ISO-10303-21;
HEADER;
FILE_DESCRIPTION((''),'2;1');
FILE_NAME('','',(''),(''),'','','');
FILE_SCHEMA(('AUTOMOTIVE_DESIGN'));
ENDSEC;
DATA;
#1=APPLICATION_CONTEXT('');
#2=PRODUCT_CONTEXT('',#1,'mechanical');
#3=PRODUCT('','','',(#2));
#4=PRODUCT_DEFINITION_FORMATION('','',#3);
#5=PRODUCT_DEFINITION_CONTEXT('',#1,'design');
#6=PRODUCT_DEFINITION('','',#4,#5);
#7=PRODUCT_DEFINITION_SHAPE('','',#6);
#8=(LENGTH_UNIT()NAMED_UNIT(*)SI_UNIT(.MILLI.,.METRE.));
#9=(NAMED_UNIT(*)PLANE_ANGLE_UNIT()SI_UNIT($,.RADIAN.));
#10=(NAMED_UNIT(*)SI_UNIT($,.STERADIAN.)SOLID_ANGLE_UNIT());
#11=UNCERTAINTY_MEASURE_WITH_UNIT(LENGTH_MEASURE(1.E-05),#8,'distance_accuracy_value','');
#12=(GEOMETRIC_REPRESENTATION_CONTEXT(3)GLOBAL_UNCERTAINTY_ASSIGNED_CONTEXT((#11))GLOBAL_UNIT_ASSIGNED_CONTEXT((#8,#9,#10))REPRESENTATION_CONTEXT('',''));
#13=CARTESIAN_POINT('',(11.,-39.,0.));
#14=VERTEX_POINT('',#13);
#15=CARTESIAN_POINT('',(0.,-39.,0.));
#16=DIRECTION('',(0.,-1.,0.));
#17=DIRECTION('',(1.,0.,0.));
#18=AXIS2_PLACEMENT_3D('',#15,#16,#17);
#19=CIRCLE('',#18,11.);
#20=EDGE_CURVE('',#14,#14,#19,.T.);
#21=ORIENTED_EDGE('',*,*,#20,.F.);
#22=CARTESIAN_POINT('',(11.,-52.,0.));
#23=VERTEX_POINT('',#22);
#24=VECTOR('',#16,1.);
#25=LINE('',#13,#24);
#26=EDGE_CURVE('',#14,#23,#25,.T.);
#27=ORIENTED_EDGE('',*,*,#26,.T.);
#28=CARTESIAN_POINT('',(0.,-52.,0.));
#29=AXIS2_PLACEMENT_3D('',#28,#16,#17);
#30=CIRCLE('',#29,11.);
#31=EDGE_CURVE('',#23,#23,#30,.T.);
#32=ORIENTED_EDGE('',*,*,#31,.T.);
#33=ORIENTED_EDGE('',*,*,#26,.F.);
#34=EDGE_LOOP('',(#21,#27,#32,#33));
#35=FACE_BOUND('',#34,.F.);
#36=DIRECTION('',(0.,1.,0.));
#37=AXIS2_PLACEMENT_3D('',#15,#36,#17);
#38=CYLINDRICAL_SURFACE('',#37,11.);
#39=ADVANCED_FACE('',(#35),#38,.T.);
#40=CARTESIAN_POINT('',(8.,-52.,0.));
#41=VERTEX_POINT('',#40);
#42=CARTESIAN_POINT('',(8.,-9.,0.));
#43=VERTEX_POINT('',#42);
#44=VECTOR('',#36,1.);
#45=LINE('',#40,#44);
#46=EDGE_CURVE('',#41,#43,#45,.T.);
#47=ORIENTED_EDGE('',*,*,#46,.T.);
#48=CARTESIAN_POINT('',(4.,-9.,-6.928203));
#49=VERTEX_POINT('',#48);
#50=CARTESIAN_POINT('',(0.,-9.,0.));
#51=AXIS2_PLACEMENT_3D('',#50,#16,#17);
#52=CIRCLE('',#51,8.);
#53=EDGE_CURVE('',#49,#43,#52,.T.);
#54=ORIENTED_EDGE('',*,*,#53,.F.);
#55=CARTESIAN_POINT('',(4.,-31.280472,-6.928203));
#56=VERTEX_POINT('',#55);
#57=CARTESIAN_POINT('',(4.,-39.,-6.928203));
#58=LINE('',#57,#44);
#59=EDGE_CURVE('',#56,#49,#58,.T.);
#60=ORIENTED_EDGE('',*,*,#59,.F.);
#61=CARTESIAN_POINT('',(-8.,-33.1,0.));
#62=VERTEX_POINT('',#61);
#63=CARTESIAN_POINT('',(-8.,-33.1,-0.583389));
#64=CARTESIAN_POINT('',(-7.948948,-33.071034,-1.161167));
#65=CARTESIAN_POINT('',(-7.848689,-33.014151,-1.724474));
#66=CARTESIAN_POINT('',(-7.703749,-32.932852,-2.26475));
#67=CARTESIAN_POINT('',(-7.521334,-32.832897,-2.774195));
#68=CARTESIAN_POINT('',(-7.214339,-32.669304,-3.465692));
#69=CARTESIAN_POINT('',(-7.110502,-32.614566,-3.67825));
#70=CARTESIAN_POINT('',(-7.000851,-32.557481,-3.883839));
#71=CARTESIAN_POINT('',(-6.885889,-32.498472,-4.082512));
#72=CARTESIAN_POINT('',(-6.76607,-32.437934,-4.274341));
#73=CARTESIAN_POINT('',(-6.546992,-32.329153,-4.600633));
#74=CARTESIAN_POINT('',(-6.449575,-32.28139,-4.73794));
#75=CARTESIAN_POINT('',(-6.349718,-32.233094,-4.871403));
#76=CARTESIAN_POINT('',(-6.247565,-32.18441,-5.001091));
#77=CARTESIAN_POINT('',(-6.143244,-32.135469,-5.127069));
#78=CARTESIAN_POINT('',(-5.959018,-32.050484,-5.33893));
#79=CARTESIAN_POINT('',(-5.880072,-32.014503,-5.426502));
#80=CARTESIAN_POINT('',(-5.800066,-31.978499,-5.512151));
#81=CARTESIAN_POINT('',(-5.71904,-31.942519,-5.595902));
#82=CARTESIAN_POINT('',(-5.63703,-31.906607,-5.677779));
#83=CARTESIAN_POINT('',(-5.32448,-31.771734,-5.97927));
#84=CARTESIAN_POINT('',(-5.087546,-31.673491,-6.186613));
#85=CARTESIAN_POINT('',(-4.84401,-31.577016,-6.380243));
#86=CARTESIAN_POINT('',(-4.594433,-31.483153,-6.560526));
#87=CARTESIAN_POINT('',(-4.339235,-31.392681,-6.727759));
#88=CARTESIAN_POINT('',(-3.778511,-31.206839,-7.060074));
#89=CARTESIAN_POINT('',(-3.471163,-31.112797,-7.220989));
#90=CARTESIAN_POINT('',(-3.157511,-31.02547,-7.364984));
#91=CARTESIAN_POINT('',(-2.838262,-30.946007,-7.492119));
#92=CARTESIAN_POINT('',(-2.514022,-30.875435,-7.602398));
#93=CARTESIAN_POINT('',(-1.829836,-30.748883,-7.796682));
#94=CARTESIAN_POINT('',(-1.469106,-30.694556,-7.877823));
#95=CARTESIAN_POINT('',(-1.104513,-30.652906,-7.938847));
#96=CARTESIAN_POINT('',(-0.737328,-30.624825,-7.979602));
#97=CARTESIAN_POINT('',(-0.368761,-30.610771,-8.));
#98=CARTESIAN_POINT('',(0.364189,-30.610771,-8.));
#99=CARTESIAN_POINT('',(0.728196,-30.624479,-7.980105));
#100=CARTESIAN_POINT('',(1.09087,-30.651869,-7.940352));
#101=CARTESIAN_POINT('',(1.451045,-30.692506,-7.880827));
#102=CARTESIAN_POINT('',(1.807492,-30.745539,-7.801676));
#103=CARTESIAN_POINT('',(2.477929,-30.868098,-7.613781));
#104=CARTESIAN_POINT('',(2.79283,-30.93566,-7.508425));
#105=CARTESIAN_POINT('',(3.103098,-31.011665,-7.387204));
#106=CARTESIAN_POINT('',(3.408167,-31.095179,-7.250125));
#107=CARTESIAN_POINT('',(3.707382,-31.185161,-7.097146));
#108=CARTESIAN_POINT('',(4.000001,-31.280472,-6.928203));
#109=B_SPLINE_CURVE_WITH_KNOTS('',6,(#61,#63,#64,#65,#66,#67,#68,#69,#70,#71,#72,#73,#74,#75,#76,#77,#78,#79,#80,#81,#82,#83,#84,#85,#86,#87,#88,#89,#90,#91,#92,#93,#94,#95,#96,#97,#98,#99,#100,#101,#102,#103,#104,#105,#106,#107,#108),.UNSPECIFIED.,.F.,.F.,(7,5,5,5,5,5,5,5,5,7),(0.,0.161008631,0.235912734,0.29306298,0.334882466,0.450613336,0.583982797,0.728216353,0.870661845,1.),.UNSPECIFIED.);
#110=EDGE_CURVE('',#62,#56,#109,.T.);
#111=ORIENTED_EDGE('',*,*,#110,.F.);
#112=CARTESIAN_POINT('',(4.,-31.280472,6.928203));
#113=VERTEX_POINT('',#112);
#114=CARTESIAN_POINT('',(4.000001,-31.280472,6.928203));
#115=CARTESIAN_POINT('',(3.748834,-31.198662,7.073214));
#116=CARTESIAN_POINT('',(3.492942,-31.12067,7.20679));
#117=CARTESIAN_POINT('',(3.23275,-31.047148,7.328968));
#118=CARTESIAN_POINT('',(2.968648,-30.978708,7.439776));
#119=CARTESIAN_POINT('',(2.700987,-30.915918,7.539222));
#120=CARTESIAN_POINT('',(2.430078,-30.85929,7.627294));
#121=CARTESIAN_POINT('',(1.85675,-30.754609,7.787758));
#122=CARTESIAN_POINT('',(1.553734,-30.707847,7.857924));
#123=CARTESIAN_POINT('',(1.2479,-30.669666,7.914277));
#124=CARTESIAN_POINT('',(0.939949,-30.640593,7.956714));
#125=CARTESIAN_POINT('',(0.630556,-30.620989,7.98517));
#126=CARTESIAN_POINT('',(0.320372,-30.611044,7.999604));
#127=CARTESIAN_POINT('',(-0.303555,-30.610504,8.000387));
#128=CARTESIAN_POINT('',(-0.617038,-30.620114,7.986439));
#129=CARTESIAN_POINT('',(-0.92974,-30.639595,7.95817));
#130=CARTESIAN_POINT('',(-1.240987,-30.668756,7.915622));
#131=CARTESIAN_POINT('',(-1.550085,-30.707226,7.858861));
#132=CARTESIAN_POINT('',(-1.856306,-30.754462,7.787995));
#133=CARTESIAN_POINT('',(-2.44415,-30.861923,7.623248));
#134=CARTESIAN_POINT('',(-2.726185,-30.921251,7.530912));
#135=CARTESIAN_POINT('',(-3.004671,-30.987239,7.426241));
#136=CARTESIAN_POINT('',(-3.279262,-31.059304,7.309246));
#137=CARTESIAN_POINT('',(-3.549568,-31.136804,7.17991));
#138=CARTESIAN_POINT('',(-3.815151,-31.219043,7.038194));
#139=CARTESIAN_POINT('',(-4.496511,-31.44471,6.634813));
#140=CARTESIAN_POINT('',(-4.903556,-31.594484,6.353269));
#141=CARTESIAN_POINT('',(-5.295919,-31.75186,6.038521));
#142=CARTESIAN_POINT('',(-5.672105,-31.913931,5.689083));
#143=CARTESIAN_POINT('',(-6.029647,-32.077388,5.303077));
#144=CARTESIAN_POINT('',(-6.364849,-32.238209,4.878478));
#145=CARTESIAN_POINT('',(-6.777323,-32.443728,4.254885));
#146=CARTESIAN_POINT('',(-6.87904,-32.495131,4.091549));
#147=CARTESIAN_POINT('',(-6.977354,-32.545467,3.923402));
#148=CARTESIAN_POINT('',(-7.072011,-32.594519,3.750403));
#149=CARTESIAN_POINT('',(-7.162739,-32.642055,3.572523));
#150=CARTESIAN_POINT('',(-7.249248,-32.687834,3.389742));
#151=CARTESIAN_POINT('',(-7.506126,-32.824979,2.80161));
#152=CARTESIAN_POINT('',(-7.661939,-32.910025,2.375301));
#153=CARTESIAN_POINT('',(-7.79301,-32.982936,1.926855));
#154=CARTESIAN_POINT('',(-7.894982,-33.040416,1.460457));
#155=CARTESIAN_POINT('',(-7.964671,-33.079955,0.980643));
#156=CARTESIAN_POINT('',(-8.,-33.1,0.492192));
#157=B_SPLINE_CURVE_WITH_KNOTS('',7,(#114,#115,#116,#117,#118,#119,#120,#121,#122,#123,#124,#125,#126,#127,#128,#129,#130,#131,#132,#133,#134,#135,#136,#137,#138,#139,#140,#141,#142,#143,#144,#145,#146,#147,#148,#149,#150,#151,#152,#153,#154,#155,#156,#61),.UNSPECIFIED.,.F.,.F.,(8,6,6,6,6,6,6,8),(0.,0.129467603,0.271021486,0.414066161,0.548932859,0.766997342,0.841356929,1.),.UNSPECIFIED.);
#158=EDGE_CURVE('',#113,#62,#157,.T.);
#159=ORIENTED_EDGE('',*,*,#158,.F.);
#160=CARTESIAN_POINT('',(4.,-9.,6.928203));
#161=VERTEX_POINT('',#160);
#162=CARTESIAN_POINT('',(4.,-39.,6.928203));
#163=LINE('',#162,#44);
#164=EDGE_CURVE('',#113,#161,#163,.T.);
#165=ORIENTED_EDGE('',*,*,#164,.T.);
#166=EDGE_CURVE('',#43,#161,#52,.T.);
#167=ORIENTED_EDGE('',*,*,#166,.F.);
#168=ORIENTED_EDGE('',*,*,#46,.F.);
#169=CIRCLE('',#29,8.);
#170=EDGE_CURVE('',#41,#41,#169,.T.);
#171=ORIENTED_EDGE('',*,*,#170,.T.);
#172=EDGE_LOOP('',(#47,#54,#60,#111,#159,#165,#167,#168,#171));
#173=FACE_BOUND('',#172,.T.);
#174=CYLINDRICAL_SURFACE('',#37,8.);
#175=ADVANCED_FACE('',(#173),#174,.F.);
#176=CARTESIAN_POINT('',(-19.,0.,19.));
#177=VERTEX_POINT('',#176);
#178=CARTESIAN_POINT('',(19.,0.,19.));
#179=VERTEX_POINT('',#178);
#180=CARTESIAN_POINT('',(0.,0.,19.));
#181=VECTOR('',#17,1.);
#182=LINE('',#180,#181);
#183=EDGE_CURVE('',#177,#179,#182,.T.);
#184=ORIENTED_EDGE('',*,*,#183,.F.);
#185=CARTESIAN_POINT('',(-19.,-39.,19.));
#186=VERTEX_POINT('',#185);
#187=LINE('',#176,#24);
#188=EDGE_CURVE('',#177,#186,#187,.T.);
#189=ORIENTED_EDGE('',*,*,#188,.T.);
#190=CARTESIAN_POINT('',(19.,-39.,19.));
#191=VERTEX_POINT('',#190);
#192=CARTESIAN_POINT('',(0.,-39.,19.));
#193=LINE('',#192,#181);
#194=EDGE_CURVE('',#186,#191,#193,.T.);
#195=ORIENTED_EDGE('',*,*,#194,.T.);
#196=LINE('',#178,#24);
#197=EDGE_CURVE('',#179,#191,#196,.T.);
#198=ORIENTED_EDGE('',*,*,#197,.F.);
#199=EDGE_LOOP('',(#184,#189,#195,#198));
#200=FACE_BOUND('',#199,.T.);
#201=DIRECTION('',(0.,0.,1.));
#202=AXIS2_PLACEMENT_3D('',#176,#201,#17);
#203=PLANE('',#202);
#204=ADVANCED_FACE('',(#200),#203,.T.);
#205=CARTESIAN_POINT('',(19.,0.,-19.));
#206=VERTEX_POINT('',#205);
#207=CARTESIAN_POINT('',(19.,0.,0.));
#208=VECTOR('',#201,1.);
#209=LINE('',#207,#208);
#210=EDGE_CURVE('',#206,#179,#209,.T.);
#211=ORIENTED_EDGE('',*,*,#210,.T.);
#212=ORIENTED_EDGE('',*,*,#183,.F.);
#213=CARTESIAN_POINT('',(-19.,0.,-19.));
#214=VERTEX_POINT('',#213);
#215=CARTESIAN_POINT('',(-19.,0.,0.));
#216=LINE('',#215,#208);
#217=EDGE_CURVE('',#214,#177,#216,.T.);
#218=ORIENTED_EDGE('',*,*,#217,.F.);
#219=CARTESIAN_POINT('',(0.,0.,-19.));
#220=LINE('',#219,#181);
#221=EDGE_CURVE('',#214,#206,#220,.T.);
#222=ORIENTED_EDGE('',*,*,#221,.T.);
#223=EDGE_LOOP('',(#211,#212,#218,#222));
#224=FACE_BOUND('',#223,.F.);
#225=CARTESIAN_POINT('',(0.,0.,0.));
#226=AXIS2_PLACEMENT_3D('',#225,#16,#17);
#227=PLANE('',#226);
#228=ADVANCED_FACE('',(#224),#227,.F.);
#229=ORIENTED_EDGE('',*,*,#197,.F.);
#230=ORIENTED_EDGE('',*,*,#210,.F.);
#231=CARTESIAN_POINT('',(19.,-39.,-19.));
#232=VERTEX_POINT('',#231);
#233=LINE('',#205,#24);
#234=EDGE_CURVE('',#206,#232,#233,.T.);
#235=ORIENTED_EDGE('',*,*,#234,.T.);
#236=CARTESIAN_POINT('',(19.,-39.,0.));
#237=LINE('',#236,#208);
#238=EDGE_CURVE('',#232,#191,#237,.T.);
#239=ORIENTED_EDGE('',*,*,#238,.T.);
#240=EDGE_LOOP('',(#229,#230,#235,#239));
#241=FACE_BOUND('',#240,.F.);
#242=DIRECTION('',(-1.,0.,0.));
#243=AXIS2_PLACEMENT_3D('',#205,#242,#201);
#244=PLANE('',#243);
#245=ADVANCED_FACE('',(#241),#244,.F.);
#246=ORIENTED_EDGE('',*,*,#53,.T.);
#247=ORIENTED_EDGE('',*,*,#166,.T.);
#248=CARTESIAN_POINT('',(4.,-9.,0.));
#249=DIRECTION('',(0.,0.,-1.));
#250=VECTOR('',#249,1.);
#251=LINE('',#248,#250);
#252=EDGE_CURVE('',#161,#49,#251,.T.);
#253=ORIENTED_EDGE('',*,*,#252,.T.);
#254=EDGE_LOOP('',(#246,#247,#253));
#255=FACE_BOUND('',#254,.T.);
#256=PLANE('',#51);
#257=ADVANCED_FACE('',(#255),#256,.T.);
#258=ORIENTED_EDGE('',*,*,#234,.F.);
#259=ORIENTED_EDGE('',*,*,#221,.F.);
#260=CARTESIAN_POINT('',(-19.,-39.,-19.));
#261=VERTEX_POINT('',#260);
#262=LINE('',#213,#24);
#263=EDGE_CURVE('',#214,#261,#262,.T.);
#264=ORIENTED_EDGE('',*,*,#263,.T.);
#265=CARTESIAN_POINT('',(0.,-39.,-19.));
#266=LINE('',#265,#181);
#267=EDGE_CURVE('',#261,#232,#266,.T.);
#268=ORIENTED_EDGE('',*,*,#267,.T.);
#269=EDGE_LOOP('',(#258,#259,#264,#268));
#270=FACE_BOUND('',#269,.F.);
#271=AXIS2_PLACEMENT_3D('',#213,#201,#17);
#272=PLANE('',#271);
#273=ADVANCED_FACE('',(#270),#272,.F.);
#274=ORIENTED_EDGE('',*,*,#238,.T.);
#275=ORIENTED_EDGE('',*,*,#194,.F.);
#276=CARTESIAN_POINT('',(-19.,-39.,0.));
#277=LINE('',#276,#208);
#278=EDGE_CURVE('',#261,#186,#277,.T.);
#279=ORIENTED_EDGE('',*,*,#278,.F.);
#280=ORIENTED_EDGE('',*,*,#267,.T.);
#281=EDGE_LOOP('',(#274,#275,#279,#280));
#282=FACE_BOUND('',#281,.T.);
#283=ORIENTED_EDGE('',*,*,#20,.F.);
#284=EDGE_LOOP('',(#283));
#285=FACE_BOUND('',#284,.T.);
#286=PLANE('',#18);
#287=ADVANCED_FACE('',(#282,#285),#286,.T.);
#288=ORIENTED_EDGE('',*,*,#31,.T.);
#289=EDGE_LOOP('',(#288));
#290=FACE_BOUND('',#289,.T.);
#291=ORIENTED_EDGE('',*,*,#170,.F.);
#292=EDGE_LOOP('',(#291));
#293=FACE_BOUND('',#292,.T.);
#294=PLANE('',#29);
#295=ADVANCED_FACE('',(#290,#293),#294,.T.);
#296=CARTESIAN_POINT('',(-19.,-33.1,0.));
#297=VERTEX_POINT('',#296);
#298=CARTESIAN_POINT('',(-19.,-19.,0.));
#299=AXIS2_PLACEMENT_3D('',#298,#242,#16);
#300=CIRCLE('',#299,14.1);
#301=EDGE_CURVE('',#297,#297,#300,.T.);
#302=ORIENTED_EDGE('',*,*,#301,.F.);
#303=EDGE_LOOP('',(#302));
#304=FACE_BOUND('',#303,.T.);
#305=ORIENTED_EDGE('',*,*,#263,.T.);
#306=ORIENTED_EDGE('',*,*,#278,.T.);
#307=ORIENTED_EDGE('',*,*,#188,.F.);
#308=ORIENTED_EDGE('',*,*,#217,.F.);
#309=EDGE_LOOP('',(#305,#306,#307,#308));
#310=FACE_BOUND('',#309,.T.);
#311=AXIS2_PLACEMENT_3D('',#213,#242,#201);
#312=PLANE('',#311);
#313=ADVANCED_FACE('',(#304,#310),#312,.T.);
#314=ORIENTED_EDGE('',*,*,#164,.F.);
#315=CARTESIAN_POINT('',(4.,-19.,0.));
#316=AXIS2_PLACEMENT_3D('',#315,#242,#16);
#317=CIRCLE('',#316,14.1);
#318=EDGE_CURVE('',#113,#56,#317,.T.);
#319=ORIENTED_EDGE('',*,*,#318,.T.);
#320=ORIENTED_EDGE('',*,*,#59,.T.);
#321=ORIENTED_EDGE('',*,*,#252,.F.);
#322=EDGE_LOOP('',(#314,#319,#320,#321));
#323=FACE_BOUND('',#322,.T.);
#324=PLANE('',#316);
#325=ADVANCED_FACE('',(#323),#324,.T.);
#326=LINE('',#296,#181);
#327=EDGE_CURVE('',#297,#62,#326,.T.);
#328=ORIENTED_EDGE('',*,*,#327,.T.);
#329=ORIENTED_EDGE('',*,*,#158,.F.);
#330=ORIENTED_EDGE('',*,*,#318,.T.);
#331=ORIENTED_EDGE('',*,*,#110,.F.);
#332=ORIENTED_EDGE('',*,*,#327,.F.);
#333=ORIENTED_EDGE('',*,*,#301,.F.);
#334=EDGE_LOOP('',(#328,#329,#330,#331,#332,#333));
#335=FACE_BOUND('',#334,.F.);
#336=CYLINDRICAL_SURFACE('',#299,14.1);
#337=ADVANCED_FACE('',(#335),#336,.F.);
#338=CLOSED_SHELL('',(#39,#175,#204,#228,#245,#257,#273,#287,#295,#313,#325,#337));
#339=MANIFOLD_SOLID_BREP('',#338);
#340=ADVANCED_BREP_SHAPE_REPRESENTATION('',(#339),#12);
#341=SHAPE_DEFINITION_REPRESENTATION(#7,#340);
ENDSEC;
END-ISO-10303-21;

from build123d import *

# Parameters (mm, degrees)
F0_W     = 38
F0_H     = 38
F1_DEPTH = 39
F2_R     = 11
F2_R_2   = 8
F3_DEPTH = 13
F4_R     = 8
F5_DEPTH = 30
F6_R     = 14.1
F7_DEPTH = 23


with BuildPart() as f1:
    # F0 (on Front) → F1 (new body)
    with BuildSketch(Plane.XZ):
        Rectangle(F0_W, F0_H)
    extrude(amount=F1_DEPTH)

    # F2 (on face) → F3 (join)
    with BuildSketch(Plane.XZ.offset(39)):
        Circle(F2_R)
        Circle(F2_R_2, mode=Mode.SUBTRACT)
    extrude(amount=F3_DEPTH)

    # F4 (on face) → F5 (cut)
    with BuildSketch(Plane.XZ.offset(39)):
        Circle(F4_R)
    extrude(amount=-F5_DEPTH, mode=Mode.SUBTRACT)

    # F6 (on face) → F7 (cut)
    with BuildSketch(Plane(origin=(-19, 0, 0), x_dir=(0, -1, 0), z_dir=(-1, 0, 0))):
        with Locations((19, 0)):
            Circle(F6_R)
    extrude(amount=-F7_DEPTH, mode=Mode.SUBTRACT)


solid = f1.part
